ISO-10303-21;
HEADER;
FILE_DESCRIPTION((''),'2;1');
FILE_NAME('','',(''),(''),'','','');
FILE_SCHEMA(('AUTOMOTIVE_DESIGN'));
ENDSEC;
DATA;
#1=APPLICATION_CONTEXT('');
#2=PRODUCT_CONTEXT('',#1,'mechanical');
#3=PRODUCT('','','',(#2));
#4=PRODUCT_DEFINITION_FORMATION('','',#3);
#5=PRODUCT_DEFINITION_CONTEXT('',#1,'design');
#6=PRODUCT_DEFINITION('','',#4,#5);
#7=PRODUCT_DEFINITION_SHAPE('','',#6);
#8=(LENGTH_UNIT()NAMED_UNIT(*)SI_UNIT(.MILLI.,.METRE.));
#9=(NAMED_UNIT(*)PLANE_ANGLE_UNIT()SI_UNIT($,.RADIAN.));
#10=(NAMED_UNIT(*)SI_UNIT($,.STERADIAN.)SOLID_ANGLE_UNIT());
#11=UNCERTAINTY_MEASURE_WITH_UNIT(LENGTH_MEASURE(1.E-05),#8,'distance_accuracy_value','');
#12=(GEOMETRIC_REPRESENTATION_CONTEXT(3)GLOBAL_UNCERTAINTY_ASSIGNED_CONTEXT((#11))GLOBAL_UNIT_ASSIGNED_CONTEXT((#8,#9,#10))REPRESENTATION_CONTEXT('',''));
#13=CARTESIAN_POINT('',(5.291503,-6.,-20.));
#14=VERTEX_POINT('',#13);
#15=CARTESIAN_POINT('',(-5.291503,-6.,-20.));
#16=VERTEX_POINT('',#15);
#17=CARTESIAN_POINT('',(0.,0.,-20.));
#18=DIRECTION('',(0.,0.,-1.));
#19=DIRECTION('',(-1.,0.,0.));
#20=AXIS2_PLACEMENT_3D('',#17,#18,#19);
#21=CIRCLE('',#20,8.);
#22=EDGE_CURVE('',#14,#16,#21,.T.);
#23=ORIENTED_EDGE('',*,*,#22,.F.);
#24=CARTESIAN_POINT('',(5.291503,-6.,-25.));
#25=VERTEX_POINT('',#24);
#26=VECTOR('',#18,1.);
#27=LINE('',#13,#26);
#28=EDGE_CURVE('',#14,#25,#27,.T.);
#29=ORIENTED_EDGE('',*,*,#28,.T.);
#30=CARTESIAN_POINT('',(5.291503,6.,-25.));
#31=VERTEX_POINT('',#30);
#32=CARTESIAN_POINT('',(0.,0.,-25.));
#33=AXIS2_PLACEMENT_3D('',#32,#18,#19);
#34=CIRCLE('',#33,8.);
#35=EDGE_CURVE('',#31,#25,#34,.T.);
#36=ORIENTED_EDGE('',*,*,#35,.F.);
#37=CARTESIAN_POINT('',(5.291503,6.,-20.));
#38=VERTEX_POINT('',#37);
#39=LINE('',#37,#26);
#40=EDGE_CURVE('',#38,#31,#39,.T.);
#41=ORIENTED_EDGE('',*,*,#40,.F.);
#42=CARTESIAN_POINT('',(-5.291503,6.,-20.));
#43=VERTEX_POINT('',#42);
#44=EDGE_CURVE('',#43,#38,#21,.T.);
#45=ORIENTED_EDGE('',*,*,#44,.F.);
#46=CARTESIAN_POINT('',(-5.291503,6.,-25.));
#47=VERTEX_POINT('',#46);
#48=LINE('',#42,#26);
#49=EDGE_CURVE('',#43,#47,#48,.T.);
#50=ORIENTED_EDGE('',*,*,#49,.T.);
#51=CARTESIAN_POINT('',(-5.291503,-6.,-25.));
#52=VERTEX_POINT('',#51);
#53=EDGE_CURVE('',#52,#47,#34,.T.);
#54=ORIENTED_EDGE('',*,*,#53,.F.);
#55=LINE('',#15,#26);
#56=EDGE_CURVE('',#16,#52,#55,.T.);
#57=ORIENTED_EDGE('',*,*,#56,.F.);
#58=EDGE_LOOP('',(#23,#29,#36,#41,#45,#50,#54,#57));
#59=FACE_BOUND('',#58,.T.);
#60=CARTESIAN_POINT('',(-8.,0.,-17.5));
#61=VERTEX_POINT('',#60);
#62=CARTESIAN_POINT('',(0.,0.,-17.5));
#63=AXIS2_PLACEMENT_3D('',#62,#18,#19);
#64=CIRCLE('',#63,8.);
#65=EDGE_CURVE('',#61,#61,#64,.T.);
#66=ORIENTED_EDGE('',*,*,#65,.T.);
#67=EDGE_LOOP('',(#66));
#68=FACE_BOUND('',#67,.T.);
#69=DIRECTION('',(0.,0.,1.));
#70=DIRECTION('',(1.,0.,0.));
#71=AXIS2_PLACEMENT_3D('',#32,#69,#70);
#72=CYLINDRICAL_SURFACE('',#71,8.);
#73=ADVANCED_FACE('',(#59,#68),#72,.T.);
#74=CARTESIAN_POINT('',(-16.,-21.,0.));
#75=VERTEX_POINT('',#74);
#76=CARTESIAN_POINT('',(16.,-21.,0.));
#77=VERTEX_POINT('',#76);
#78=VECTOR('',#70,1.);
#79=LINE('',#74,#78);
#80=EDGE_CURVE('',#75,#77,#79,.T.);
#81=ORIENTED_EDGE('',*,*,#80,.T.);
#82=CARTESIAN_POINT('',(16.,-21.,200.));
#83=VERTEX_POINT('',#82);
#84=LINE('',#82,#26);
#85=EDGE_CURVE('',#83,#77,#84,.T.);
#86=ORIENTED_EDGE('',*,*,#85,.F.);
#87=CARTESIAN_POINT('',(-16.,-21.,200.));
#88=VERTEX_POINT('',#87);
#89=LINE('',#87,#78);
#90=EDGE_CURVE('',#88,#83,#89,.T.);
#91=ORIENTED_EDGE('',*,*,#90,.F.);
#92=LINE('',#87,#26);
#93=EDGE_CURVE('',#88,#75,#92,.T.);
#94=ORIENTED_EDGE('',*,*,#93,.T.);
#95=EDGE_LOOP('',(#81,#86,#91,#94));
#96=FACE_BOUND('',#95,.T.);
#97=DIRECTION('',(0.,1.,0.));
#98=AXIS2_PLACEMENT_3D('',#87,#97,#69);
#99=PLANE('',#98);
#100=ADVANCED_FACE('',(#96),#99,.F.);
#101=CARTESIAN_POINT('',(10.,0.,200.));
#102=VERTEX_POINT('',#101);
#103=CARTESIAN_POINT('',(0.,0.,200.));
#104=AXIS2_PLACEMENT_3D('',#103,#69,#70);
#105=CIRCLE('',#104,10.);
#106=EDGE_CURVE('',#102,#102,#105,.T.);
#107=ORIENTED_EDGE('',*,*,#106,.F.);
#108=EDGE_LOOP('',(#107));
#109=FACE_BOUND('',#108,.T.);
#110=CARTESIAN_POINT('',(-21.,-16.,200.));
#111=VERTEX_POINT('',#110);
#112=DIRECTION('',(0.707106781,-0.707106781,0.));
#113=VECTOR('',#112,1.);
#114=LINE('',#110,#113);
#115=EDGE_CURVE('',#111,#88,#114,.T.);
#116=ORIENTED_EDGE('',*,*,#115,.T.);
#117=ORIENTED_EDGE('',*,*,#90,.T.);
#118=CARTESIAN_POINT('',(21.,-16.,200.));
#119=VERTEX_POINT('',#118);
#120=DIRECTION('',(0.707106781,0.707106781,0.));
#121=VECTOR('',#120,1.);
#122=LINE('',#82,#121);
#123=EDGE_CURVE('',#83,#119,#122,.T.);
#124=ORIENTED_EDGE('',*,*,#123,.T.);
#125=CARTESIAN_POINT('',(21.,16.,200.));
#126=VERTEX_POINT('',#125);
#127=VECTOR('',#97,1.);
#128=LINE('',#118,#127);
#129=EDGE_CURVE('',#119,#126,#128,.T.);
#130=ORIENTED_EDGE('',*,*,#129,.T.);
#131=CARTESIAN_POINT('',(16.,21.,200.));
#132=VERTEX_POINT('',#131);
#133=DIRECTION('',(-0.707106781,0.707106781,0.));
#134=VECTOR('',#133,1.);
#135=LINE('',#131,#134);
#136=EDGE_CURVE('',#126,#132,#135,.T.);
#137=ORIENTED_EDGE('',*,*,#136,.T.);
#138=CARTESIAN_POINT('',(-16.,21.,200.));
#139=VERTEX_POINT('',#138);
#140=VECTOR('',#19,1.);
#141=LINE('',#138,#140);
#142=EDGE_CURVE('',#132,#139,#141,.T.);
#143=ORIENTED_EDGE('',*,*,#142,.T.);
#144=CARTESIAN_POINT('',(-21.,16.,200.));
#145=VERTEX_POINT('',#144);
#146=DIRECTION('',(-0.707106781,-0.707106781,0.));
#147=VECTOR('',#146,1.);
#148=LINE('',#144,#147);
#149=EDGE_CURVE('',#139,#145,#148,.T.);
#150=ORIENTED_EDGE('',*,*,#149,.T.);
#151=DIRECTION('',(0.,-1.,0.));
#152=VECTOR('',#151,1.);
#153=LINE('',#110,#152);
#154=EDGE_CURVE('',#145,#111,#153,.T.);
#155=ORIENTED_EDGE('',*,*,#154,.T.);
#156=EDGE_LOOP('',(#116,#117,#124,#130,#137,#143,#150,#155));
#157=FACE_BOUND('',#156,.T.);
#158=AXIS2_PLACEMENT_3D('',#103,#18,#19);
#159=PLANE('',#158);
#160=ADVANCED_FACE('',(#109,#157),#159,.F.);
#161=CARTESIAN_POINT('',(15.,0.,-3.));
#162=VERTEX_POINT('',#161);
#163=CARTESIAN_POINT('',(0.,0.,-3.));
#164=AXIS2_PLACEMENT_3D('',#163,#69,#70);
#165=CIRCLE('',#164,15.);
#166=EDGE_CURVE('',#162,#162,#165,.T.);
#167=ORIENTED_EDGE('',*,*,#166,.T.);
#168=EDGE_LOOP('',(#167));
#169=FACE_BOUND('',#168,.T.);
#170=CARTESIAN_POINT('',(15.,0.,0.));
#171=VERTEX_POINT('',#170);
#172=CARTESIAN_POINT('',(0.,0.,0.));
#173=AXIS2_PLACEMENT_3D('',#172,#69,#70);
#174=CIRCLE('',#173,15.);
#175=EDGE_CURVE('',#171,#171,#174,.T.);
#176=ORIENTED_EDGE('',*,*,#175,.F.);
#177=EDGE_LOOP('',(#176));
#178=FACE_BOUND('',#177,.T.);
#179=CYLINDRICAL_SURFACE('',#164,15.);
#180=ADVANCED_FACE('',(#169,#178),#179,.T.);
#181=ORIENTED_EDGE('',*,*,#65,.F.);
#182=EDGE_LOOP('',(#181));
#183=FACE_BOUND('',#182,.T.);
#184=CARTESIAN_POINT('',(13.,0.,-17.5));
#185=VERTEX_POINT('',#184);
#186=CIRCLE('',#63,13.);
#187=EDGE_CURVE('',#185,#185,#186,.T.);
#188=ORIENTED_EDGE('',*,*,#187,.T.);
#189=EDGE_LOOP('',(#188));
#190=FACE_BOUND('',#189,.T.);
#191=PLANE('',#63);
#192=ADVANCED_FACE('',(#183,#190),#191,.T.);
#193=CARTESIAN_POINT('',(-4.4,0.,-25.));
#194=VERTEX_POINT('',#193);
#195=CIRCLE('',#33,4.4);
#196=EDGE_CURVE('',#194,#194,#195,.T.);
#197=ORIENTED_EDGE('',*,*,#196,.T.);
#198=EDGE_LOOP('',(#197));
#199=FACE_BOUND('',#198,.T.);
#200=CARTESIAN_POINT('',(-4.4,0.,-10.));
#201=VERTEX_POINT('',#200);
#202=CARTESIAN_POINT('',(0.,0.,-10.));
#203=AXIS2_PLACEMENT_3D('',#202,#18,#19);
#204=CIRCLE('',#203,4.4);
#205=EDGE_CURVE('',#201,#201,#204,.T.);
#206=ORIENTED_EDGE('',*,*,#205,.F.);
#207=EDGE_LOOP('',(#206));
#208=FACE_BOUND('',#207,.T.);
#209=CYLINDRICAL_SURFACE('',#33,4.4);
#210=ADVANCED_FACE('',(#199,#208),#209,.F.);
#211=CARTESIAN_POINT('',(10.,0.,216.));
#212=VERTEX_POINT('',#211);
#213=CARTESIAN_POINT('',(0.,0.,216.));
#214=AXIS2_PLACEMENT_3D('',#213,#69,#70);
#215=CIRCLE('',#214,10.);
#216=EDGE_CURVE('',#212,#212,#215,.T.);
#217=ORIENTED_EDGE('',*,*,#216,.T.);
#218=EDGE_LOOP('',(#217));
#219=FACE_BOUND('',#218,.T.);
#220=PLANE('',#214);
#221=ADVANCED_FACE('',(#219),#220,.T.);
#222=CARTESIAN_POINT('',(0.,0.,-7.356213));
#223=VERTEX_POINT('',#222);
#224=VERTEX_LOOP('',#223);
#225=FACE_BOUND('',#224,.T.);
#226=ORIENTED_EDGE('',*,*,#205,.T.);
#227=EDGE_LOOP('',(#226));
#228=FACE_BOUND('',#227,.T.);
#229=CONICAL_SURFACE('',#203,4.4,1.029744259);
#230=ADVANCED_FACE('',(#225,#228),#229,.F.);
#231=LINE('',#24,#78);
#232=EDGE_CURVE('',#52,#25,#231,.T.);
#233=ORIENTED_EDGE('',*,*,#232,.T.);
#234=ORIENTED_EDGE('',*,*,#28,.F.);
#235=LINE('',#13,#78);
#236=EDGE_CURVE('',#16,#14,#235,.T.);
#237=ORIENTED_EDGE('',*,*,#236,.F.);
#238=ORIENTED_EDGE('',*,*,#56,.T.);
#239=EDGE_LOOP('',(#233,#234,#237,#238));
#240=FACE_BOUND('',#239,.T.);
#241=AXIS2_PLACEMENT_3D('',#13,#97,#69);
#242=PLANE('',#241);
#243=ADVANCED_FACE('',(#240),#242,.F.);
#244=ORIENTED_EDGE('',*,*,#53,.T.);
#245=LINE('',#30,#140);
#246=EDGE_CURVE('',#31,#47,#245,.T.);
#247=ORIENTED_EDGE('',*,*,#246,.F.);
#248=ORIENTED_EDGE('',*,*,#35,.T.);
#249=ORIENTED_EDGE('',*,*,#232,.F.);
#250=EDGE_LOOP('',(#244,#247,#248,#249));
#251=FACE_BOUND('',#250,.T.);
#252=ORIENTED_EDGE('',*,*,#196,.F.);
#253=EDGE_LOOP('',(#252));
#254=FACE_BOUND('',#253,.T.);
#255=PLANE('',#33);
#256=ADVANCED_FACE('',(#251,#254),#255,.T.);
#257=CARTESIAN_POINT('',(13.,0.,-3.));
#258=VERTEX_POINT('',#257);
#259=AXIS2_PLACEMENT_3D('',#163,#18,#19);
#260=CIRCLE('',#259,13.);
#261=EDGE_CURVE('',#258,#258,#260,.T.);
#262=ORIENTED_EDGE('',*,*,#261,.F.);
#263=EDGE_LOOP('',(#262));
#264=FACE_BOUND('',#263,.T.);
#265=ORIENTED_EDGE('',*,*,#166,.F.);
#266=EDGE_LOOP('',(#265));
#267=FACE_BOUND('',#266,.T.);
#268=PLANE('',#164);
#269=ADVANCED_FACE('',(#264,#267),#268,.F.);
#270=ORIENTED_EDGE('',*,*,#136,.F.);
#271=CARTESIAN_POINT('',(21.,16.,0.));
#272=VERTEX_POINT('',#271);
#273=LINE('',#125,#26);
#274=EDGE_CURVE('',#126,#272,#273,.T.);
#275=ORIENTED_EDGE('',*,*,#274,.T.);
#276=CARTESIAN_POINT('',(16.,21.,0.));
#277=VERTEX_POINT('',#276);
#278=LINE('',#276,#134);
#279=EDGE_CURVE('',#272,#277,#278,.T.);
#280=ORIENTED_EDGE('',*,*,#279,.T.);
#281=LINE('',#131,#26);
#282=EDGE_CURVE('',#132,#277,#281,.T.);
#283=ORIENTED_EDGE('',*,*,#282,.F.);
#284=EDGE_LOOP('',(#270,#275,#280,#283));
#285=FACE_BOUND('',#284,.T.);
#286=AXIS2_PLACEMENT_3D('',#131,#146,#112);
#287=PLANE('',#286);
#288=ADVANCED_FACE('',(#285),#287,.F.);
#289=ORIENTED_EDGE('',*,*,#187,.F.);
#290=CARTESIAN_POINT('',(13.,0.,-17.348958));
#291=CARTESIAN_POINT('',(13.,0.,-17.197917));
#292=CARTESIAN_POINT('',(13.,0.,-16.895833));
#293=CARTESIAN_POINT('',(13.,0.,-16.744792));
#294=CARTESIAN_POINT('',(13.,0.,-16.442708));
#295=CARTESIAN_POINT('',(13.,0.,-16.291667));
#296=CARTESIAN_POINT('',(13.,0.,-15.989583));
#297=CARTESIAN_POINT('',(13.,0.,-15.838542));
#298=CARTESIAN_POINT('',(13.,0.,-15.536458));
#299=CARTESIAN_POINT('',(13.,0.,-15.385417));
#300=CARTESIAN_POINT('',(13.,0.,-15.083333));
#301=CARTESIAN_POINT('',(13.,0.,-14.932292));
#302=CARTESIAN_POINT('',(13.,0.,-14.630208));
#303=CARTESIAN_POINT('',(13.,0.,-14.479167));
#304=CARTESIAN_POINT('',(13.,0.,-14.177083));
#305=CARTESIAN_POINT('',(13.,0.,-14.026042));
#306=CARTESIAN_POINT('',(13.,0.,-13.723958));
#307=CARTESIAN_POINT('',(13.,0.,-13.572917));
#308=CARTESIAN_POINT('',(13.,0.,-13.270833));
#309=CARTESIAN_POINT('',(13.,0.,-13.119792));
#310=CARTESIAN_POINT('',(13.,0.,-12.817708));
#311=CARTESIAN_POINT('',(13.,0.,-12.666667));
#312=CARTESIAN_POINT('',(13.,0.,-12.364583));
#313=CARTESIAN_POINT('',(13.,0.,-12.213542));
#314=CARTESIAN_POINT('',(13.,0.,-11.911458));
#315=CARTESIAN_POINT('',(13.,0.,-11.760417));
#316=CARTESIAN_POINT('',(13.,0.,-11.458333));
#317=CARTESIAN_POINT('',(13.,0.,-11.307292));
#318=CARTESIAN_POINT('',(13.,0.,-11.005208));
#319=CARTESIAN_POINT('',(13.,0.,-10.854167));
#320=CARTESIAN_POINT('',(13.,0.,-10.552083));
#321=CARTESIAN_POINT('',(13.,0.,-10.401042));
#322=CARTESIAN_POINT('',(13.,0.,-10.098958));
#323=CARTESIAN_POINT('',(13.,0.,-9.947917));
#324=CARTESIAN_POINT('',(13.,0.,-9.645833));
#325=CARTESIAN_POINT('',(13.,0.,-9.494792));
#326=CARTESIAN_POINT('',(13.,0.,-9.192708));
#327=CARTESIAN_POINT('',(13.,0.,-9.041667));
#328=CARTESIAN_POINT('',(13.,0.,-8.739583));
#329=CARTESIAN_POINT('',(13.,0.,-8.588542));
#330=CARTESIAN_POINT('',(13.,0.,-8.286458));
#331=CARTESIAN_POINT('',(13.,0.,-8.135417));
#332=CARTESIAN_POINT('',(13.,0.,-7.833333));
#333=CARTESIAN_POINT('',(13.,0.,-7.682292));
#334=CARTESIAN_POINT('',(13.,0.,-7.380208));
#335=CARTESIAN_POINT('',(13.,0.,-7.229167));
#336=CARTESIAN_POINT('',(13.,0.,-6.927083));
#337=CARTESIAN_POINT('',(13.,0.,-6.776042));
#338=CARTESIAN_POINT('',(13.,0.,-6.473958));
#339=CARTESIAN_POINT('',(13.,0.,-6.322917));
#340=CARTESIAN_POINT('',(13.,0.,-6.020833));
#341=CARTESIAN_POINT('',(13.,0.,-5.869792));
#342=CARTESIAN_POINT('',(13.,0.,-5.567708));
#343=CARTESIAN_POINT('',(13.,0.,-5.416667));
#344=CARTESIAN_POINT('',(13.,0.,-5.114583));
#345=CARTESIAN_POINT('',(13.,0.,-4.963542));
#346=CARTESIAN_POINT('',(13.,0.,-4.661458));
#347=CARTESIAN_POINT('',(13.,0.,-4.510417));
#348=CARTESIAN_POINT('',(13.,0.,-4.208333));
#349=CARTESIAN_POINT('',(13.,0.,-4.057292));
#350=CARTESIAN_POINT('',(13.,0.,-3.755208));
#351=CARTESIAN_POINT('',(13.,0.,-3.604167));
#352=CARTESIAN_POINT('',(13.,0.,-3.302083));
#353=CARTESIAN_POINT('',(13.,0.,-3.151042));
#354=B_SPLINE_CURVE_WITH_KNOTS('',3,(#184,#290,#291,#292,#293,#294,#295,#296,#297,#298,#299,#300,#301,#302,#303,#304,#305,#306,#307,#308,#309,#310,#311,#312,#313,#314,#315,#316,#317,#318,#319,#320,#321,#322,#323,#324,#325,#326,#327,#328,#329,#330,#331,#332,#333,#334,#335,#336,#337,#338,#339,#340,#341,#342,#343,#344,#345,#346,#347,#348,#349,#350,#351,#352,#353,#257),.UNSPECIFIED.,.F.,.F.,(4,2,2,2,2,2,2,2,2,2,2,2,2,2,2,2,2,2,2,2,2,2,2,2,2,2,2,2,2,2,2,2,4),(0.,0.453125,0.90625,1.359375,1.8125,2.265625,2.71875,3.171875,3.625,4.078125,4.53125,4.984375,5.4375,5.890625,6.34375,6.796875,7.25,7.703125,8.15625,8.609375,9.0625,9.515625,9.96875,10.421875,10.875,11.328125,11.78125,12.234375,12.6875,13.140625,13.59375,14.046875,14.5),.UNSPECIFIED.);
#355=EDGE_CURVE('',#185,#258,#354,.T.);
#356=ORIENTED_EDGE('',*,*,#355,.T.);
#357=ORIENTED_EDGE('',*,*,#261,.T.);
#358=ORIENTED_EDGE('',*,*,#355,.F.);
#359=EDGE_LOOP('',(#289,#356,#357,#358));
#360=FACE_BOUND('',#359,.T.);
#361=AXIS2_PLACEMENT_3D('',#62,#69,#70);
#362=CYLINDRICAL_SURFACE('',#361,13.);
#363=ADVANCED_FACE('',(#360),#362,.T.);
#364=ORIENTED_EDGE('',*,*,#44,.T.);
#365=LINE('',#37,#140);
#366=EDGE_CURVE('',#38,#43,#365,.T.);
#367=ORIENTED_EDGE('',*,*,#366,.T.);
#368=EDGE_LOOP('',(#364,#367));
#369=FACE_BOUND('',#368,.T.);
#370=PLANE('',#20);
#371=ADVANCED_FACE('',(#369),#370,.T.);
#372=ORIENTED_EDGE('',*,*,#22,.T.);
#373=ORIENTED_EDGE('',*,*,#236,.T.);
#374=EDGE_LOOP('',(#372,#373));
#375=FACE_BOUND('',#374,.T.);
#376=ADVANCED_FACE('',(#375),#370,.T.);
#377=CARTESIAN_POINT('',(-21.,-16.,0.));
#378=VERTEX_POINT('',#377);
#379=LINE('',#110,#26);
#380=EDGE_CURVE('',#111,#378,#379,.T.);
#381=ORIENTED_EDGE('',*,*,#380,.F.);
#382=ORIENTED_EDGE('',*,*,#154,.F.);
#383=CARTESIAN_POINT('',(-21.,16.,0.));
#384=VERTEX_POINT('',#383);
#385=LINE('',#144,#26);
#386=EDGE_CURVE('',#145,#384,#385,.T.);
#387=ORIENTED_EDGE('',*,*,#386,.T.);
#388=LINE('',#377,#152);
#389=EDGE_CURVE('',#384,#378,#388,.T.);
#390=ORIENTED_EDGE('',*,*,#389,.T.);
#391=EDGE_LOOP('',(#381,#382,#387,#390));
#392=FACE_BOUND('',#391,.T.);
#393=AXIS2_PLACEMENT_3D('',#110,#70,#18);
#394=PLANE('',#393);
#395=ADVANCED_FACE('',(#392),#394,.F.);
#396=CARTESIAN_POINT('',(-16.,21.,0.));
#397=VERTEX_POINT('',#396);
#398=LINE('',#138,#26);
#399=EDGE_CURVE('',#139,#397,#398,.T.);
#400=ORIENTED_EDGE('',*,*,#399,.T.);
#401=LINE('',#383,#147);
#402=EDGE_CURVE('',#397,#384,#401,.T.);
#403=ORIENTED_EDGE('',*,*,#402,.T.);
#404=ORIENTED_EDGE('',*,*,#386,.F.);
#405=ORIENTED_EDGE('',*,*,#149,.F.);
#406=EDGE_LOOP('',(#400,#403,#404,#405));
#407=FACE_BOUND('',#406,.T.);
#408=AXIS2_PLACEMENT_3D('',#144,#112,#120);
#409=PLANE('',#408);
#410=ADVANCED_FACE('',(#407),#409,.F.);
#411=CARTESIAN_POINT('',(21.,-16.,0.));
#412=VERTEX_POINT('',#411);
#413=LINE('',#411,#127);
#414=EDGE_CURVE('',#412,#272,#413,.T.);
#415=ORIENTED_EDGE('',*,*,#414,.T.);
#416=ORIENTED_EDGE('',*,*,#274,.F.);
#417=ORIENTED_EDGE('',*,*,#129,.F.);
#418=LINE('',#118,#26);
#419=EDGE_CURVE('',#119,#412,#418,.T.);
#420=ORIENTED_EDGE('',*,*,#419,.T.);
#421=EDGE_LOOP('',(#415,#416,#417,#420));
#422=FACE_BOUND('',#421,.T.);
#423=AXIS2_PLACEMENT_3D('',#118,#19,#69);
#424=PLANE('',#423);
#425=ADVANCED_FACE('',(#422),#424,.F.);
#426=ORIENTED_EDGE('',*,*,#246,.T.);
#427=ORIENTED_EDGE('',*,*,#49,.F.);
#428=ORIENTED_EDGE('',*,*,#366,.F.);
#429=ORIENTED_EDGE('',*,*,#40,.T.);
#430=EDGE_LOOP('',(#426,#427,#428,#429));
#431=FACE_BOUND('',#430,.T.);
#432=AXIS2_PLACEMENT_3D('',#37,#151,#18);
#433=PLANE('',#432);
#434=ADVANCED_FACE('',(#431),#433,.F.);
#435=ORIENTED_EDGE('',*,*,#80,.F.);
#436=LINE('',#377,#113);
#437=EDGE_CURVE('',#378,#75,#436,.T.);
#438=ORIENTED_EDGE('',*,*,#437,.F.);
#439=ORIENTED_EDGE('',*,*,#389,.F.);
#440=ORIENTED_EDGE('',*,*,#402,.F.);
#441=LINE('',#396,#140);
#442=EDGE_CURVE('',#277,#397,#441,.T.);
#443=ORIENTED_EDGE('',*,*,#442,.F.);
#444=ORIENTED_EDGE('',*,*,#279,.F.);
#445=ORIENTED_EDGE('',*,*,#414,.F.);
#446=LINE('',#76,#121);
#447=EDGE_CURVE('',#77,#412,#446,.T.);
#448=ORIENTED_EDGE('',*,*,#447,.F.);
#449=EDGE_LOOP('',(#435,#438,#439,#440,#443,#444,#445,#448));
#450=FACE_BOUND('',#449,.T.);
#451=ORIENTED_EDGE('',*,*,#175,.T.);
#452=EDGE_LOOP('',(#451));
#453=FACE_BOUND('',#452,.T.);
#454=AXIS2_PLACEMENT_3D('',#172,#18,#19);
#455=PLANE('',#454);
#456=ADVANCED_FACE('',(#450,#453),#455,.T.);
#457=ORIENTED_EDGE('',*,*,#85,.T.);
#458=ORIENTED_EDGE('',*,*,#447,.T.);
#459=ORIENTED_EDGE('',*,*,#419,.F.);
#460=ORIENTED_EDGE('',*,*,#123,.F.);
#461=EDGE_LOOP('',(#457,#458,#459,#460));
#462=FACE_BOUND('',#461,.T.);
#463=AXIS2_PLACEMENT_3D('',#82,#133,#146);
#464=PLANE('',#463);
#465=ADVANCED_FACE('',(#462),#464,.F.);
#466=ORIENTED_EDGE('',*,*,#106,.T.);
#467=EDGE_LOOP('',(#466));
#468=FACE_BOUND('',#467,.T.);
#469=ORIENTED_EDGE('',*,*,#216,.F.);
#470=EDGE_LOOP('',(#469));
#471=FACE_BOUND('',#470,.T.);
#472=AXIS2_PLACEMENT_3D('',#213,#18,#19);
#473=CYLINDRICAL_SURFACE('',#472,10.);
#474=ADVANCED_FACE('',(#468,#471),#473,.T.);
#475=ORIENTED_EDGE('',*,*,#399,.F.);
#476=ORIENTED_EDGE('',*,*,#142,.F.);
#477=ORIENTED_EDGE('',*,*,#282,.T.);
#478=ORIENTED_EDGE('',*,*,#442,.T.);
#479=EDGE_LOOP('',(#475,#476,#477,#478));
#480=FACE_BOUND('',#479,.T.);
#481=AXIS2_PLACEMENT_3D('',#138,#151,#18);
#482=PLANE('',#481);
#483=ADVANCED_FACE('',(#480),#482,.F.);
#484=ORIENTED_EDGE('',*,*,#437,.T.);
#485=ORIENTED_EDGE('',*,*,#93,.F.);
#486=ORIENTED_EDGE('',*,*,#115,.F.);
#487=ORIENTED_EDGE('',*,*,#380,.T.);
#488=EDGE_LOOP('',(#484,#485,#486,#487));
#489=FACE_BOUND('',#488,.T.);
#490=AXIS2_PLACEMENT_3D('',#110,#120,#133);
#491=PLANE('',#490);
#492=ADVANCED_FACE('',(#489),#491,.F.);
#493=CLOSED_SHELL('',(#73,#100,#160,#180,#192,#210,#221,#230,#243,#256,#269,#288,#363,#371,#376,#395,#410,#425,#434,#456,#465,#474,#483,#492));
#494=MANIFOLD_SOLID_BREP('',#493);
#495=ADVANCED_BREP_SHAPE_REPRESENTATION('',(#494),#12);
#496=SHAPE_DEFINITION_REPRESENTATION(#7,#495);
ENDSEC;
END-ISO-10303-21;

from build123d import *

# Parameters (mm, degrees)
EXTRUDE_1_DEPTH     = 200
SKETCH_2_R          = 15
EXTRUDE_2_DEPTH     = 3
SKETCH_3_R          = 13
EXTRUDE_3_DEPTH     = 14.5
SKETCH_4_R          = 8
EXTRUDE_4_DEPTH     = 7.5
SKETCH_5_R          = 10
EXTRUDE_5_DEPTH     = 16
CUT_EXTRUDE_START   = -5
CUT_EXTRUDE_1_DEPTH = 5
M10X1_25_1_D        = 8.8
M10X1_25_1_DEPTH    = 15
M10X1_25_1_TIP      = 2.643786724


with BuildPart() as part:
    # 스케치1 → 보스-돌출1 (new body)
    with BuildSketch(Plane.XY):
        Polygon((-21, 16), (-16, 21), (16, 21), (21, 16), (21, -16), (16, -21), (-16, -21), (-21, -16), align=None)
    extrude(amount=EXTRUDE_1_DEPTH)

    # 스케치2 → 보스-돌출2 (add)
    with BuildSketch(Plane.XY):
        Circle(SKETCH_2_R)
    extrude(amount=-EXTRUDE_2_DEPTH)

    # 스케치3 → 보스-돌출3 (add)
    with BuildSketch(Plane(origin=(0, 0, -3), x_dir=(-1, 0, 0), z_dir=(0, 0, -1))):
        with Locations(Location((0, 0, 0), (0, 0, 180))):
            Circle(SKETCH_3_R)
    extrude(amount=EXTRUDE_3_DEPTH)

    # 스케치4 → 보스-돌출4 (add)
    with BuildSketch(Plane(origin=(0, 0, -17.5), x_dir=(-1, 0, 0), z_dir=(0, 0, -1))):
        Circle(SKETCH_4_R)
    extrude(amount=EXTRUDE_4_DEPTH)

    # 스케치5 → 보스-돌출5 (add)
    with BuildSketch(Plane.XY.offset(200)):
        Circle(SKETCH_5_R)
    extrude(amount=EXTRUDE_5_DEPTH)

    # 스케치6 → 컷-돌출1 (cut)
    with BuildSketch(Plane(origin=(0, 0, -25), x_dir=(-1, 0, 0), z_dir=(0, 0, -1)).offset(CUT_EXTRUDE_START)):
        with BuildLine():
            Line((-5.291502622, 6), (5.291502622, 6))
            ThreePointArc((5.291502622, 6), (0, 8), (-5.291502622, 6))
        make_face()
        with BuildLine():
            Line((-5.291502622, -6), (5.291502622, -6))
            ThreePointArc((5.291502622, -6), (0, -8), (-5.291502622, -6))
        make_face()
    extrude(amount=CUT_EXTRUDE_1_DEPTH, mode=Mode.SUBTRACT)

    # M10x1.25 탭을 위한 탭 드릴1
    with Locations(Plane(origin=(0, 0, -25), x_dir=(-1, 0, 0), z_dir=(0, 0, -1))):
        with Locations((0, 0)):
            Hole(M10X1_25_1_D / 2, depth=M10X1_25_1_DEPTH)
            with Locations((0, 0, -(M10X1_25_1_DEPTH + M10X1_25_1_TIP / 2))):  # 118° drill point
                Cone(0, M10X1_25_1_D / 2, M10X1_25_1_TIP, mode=Mode.SUBTRACT)


solid = part.part
